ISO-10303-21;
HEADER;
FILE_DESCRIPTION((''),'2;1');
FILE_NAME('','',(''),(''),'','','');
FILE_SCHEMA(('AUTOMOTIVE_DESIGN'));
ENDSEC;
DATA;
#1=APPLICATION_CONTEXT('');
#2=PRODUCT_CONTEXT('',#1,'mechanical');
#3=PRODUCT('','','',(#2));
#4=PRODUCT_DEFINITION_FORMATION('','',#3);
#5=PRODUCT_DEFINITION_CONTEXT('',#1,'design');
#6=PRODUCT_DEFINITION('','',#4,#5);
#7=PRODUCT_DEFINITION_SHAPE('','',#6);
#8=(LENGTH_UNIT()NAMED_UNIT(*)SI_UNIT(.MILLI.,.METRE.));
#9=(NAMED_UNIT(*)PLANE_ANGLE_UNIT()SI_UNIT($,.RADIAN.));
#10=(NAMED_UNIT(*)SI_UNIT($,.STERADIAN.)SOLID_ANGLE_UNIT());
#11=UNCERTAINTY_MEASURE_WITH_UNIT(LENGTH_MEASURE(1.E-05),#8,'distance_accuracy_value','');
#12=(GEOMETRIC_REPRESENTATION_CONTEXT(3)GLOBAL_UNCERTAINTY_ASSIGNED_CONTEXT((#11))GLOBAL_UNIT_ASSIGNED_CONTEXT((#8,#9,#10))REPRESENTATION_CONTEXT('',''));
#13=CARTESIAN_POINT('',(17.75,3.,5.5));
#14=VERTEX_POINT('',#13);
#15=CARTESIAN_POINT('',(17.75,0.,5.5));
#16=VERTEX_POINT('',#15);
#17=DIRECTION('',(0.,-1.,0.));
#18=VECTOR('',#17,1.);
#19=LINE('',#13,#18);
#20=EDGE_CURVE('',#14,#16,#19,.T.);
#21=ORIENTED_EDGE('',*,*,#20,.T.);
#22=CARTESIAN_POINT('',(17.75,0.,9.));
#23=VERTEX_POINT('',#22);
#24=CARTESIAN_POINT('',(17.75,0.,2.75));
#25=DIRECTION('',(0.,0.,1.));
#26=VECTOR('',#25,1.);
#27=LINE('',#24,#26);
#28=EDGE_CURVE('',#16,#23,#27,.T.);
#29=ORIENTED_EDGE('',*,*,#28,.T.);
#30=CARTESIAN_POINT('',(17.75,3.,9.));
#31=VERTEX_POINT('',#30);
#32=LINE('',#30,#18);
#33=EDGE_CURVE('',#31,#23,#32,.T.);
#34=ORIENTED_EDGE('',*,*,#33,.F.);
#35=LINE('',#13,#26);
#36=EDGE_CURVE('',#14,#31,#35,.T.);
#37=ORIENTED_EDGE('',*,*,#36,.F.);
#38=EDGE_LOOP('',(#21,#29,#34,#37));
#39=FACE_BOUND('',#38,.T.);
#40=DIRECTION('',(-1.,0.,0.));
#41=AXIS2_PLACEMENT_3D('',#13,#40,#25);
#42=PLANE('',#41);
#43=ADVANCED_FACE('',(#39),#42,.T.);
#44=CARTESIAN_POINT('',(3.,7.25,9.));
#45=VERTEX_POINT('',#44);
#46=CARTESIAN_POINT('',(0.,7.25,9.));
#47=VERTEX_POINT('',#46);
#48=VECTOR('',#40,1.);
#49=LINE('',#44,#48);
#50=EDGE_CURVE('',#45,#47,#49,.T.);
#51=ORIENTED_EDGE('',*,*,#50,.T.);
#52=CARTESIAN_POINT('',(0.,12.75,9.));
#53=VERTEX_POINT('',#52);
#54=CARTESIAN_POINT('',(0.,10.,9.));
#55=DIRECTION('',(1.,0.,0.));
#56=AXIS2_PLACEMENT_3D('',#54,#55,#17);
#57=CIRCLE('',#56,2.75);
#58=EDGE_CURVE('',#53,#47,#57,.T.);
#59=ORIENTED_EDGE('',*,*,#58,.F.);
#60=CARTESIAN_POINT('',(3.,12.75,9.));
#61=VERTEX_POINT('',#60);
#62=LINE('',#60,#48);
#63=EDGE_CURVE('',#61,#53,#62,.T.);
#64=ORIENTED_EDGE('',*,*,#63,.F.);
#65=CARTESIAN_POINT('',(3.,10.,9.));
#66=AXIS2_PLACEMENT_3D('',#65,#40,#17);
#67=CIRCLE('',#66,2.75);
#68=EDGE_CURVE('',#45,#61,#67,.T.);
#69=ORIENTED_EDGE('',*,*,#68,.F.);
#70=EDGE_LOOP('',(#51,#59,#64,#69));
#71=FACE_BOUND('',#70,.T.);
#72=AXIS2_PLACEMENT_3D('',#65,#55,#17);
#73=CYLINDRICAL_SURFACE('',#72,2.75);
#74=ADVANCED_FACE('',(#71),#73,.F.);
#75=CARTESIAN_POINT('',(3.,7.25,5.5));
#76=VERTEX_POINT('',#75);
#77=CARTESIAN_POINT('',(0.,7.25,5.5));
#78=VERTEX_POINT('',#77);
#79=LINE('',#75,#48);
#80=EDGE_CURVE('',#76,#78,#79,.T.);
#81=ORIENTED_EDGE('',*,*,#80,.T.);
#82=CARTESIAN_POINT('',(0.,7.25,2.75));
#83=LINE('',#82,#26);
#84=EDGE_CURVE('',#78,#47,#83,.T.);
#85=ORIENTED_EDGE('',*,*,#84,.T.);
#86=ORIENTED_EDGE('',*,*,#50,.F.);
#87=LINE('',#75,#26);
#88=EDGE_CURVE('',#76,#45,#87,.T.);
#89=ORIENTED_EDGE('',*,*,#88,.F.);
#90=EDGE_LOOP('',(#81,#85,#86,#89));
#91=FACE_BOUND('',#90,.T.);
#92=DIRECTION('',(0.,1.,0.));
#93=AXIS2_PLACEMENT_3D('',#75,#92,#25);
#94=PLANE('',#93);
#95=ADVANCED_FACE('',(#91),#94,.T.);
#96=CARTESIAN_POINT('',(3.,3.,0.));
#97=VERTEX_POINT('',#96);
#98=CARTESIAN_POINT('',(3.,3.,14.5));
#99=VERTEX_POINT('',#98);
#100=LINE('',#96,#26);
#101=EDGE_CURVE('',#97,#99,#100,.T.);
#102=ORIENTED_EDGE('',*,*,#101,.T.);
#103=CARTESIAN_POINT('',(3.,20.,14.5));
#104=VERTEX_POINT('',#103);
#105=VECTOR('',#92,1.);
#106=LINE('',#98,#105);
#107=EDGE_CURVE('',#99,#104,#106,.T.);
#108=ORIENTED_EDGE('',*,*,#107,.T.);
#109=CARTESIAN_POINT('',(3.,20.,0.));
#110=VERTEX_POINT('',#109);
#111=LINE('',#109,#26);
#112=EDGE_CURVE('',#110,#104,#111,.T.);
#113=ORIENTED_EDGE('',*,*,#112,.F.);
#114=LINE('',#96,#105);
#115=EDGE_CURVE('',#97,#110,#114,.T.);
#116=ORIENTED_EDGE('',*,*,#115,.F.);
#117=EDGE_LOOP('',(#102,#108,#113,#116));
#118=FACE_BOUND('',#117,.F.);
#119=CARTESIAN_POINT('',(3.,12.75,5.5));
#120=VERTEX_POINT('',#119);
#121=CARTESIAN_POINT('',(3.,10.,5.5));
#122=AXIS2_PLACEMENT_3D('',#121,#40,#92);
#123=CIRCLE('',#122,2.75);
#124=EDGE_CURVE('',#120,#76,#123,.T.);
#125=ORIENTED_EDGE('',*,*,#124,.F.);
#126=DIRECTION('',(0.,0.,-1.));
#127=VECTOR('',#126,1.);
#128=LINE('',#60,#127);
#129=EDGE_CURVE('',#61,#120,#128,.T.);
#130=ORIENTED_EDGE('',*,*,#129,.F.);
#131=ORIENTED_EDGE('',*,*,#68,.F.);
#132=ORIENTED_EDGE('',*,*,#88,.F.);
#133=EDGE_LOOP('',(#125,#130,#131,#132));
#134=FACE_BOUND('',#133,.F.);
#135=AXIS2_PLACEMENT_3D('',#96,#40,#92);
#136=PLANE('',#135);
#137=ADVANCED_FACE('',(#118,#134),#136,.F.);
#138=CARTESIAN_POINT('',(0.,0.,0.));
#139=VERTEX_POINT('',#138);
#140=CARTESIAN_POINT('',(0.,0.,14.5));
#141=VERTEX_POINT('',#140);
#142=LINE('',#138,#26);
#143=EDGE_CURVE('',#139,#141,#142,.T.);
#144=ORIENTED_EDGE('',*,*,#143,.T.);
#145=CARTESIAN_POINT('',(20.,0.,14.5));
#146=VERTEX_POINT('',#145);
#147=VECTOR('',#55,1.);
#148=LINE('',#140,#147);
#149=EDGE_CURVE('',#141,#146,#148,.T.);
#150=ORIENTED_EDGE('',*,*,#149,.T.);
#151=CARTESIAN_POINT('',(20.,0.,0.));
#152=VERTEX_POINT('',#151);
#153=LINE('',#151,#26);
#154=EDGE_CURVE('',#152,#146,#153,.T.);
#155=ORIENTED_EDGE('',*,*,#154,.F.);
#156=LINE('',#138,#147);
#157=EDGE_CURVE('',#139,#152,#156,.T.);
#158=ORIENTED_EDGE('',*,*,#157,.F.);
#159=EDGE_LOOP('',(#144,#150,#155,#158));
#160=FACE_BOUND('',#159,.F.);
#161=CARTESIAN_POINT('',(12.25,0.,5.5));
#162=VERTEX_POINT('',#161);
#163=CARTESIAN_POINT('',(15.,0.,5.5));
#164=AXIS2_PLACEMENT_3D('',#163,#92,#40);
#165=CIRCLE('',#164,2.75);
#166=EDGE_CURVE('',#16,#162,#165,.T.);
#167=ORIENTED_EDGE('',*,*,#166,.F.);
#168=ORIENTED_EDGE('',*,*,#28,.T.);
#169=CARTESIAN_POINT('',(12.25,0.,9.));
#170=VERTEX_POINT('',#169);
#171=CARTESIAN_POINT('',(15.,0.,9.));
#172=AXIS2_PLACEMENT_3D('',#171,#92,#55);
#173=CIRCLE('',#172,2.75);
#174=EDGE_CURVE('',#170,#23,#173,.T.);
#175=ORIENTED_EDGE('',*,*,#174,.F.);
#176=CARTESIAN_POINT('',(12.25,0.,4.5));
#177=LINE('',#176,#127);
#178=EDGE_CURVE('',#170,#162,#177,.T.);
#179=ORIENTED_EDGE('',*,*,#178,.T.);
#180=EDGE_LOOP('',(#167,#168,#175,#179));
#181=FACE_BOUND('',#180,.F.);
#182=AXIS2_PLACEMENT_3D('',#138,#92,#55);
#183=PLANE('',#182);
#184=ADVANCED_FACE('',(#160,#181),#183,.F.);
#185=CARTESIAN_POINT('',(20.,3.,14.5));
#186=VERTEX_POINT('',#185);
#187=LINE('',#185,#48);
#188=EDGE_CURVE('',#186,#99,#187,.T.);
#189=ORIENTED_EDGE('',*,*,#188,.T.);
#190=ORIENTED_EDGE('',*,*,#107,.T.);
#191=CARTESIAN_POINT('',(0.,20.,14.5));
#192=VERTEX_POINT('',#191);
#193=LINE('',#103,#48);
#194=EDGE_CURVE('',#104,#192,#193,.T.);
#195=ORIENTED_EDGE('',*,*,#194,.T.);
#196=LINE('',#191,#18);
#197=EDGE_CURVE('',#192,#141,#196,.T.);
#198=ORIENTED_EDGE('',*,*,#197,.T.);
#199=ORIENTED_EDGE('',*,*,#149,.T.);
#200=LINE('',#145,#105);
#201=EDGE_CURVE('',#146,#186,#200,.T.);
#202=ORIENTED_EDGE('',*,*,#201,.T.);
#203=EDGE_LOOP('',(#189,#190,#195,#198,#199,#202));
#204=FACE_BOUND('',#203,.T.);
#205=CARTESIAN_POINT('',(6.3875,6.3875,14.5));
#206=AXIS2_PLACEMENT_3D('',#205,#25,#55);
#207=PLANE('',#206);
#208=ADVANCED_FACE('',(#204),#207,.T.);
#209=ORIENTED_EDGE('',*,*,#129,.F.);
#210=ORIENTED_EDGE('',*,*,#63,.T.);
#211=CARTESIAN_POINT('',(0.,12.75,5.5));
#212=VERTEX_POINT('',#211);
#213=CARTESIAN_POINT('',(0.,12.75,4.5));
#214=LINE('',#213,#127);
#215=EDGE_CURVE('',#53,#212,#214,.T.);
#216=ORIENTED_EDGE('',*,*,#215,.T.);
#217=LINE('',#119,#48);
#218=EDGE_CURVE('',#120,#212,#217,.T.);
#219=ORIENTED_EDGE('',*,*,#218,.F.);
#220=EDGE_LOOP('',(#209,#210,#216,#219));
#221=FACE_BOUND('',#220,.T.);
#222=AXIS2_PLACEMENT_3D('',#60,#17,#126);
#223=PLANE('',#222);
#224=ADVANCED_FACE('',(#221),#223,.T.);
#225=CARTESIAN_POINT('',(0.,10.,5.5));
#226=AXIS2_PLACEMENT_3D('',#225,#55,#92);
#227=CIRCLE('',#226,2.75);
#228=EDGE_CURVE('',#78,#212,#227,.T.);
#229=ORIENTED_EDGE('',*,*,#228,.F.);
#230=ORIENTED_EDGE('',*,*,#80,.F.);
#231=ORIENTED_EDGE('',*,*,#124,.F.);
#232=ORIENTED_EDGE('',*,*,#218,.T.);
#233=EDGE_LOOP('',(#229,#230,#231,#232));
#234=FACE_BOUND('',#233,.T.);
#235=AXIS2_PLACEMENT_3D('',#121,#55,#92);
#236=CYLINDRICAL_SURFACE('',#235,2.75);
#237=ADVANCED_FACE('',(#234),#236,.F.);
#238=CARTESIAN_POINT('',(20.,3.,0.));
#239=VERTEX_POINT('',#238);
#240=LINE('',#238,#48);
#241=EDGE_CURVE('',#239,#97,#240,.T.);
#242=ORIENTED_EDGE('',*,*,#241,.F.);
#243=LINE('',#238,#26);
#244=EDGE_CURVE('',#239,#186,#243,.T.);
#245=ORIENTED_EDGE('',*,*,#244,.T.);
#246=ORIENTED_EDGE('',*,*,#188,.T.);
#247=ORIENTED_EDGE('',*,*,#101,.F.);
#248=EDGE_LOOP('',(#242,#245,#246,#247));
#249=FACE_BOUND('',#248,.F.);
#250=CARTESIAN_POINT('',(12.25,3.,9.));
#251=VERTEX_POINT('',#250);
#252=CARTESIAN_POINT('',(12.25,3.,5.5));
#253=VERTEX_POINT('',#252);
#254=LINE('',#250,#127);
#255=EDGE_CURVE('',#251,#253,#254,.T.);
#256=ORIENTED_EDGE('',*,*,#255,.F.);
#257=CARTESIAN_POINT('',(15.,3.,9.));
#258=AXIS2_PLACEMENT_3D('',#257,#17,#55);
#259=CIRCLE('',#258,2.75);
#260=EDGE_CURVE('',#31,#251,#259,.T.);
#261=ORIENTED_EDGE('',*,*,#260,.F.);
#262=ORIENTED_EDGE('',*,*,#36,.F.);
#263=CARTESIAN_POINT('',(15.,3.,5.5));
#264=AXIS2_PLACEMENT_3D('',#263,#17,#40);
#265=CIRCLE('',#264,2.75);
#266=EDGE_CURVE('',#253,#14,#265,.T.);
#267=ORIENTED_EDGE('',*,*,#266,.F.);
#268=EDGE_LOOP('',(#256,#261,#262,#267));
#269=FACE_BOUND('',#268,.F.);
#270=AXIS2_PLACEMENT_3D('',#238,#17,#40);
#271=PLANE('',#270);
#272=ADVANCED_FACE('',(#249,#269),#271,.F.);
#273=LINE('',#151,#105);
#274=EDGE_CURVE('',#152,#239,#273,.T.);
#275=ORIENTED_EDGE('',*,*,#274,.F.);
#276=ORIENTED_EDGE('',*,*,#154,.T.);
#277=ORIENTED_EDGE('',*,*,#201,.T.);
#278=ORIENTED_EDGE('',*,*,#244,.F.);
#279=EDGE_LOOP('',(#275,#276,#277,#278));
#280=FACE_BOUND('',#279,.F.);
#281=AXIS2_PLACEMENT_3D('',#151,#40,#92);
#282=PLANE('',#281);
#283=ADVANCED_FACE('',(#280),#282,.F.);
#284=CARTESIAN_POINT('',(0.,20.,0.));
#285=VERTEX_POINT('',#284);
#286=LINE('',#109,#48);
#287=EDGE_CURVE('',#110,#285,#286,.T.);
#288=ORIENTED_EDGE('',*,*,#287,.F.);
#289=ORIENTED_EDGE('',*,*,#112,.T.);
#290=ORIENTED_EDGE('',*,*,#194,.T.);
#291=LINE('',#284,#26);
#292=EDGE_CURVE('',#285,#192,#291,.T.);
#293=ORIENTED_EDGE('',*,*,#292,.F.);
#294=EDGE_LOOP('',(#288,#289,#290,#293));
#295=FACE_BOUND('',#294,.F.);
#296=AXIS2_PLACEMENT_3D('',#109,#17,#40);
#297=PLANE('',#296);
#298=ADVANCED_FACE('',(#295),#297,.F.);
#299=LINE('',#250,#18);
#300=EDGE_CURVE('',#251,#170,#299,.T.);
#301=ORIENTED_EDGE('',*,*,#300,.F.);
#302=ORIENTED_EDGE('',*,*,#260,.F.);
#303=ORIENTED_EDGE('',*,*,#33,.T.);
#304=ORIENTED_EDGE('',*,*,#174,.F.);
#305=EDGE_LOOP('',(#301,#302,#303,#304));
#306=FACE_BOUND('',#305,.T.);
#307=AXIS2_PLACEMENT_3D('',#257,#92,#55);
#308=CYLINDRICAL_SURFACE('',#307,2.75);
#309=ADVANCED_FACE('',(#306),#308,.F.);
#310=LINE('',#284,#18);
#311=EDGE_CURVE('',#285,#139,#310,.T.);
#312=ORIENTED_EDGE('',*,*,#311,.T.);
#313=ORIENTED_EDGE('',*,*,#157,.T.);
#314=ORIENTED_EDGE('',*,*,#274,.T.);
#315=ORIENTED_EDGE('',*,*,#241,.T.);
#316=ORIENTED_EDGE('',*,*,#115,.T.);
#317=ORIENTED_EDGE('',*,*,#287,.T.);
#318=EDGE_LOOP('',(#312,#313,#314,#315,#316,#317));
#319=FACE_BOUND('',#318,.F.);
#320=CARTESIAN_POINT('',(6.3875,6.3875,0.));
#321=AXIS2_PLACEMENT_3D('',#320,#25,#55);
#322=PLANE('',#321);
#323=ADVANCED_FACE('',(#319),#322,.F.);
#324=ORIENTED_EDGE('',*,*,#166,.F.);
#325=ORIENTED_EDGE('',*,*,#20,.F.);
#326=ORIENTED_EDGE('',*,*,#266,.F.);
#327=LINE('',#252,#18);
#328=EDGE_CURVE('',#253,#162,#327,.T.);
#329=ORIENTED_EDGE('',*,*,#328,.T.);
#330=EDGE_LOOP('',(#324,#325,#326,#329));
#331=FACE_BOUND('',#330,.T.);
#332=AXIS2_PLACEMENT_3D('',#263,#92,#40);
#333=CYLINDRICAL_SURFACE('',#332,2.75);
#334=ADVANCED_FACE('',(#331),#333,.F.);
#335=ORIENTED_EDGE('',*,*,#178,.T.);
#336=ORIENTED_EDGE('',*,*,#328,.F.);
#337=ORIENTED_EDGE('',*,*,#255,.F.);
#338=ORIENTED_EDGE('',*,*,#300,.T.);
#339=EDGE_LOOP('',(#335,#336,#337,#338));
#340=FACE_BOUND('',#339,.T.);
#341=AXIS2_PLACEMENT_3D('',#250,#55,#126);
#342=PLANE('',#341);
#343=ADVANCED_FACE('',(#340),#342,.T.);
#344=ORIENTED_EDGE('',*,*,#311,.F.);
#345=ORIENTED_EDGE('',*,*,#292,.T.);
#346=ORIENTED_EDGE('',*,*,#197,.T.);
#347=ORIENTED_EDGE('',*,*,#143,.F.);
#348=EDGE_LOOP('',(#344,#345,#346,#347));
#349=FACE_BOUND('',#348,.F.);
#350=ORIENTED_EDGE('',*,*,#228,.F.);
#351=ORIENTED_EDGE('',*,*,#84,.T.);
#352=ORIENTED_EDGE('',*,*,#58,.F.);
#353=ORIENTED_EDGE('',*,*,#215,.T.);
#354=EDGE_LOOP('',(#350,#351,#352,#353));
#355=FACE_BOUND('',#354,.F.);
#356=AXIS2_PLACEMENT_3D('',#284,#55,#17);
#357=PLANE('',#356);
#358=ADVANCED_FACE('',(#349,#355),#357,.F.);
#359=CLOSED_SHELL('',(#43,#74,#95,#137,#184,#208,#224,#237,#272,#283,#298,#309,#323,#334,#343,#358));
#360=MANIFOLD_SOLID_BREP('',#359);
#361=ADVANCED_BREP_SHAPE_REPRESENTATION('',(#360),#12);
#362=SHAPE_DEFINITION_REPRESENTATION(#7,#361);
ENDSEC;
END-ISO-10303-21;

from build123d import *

# Parameters (mm, degrees)
EXTRUDE_THIN1_DEPTH = 14.5
CUT_EXTRUDE1_DEPTH  = 4
CUT_EXTRUDE2_DEPTH  = 4


with BuildPart() as part:
    # Sketch1 → Extrude-Thin1 (new body)
    with BuildSketch(Plane.XY):
        Polygon((0, 20), (0, 0), (20, 0), (20, 3), (3, 3), (3, 20), align=None)
    extrude(amount=EXTRUDE_THIN1_DEPTH)

    # Sketch2 → Cut-Extrude1 (cut, through all)
    with BuildSketch(Plane(origin=(3, 0, 0), x_dir=(0, 0, -1), z_dir=(1, 0, 0))):
        with BuildLine():
            Line((-5.5, 7.25), (-9, 7.25))
            ThreePointArc((-9, 7.25), (-11.75, 10), (-9, 12.75))
            Line((-9, 12.75), (-5.5, 12.75))
            ThreePointArc((-5.5, 12.75), (-2.75, 10), (-5.5, 7.25))
        make_face()
    extrude(amount=-CUT_EXTRUDE1_DEPTH, mode=Mode.SUBTRACT)

    # Sketch3 → Cut-Extrude2 (cut, through all)
    with BuildSketch(Plane(origin=(0, 3, 0), x_dir=(1, 0, 0), z_dir=(0, 1, 0))):
        with BuildLine():
            Line((12.25, -9), (12.25, -5.5))
            ThreePointArc((12.25, -5.5), (15, -2.75), (17.75, -5.5))
            Line((17.75, -5.5), (17.75, -9))
            ThreePointArc((17.75, -9), (15, -11.75), (12.25, -9))
        make_face()
    extrude(amount=-CUT_EXTRUDE2_DEPTH, mode=Mode.SUBTRACT)


solid = part.part
